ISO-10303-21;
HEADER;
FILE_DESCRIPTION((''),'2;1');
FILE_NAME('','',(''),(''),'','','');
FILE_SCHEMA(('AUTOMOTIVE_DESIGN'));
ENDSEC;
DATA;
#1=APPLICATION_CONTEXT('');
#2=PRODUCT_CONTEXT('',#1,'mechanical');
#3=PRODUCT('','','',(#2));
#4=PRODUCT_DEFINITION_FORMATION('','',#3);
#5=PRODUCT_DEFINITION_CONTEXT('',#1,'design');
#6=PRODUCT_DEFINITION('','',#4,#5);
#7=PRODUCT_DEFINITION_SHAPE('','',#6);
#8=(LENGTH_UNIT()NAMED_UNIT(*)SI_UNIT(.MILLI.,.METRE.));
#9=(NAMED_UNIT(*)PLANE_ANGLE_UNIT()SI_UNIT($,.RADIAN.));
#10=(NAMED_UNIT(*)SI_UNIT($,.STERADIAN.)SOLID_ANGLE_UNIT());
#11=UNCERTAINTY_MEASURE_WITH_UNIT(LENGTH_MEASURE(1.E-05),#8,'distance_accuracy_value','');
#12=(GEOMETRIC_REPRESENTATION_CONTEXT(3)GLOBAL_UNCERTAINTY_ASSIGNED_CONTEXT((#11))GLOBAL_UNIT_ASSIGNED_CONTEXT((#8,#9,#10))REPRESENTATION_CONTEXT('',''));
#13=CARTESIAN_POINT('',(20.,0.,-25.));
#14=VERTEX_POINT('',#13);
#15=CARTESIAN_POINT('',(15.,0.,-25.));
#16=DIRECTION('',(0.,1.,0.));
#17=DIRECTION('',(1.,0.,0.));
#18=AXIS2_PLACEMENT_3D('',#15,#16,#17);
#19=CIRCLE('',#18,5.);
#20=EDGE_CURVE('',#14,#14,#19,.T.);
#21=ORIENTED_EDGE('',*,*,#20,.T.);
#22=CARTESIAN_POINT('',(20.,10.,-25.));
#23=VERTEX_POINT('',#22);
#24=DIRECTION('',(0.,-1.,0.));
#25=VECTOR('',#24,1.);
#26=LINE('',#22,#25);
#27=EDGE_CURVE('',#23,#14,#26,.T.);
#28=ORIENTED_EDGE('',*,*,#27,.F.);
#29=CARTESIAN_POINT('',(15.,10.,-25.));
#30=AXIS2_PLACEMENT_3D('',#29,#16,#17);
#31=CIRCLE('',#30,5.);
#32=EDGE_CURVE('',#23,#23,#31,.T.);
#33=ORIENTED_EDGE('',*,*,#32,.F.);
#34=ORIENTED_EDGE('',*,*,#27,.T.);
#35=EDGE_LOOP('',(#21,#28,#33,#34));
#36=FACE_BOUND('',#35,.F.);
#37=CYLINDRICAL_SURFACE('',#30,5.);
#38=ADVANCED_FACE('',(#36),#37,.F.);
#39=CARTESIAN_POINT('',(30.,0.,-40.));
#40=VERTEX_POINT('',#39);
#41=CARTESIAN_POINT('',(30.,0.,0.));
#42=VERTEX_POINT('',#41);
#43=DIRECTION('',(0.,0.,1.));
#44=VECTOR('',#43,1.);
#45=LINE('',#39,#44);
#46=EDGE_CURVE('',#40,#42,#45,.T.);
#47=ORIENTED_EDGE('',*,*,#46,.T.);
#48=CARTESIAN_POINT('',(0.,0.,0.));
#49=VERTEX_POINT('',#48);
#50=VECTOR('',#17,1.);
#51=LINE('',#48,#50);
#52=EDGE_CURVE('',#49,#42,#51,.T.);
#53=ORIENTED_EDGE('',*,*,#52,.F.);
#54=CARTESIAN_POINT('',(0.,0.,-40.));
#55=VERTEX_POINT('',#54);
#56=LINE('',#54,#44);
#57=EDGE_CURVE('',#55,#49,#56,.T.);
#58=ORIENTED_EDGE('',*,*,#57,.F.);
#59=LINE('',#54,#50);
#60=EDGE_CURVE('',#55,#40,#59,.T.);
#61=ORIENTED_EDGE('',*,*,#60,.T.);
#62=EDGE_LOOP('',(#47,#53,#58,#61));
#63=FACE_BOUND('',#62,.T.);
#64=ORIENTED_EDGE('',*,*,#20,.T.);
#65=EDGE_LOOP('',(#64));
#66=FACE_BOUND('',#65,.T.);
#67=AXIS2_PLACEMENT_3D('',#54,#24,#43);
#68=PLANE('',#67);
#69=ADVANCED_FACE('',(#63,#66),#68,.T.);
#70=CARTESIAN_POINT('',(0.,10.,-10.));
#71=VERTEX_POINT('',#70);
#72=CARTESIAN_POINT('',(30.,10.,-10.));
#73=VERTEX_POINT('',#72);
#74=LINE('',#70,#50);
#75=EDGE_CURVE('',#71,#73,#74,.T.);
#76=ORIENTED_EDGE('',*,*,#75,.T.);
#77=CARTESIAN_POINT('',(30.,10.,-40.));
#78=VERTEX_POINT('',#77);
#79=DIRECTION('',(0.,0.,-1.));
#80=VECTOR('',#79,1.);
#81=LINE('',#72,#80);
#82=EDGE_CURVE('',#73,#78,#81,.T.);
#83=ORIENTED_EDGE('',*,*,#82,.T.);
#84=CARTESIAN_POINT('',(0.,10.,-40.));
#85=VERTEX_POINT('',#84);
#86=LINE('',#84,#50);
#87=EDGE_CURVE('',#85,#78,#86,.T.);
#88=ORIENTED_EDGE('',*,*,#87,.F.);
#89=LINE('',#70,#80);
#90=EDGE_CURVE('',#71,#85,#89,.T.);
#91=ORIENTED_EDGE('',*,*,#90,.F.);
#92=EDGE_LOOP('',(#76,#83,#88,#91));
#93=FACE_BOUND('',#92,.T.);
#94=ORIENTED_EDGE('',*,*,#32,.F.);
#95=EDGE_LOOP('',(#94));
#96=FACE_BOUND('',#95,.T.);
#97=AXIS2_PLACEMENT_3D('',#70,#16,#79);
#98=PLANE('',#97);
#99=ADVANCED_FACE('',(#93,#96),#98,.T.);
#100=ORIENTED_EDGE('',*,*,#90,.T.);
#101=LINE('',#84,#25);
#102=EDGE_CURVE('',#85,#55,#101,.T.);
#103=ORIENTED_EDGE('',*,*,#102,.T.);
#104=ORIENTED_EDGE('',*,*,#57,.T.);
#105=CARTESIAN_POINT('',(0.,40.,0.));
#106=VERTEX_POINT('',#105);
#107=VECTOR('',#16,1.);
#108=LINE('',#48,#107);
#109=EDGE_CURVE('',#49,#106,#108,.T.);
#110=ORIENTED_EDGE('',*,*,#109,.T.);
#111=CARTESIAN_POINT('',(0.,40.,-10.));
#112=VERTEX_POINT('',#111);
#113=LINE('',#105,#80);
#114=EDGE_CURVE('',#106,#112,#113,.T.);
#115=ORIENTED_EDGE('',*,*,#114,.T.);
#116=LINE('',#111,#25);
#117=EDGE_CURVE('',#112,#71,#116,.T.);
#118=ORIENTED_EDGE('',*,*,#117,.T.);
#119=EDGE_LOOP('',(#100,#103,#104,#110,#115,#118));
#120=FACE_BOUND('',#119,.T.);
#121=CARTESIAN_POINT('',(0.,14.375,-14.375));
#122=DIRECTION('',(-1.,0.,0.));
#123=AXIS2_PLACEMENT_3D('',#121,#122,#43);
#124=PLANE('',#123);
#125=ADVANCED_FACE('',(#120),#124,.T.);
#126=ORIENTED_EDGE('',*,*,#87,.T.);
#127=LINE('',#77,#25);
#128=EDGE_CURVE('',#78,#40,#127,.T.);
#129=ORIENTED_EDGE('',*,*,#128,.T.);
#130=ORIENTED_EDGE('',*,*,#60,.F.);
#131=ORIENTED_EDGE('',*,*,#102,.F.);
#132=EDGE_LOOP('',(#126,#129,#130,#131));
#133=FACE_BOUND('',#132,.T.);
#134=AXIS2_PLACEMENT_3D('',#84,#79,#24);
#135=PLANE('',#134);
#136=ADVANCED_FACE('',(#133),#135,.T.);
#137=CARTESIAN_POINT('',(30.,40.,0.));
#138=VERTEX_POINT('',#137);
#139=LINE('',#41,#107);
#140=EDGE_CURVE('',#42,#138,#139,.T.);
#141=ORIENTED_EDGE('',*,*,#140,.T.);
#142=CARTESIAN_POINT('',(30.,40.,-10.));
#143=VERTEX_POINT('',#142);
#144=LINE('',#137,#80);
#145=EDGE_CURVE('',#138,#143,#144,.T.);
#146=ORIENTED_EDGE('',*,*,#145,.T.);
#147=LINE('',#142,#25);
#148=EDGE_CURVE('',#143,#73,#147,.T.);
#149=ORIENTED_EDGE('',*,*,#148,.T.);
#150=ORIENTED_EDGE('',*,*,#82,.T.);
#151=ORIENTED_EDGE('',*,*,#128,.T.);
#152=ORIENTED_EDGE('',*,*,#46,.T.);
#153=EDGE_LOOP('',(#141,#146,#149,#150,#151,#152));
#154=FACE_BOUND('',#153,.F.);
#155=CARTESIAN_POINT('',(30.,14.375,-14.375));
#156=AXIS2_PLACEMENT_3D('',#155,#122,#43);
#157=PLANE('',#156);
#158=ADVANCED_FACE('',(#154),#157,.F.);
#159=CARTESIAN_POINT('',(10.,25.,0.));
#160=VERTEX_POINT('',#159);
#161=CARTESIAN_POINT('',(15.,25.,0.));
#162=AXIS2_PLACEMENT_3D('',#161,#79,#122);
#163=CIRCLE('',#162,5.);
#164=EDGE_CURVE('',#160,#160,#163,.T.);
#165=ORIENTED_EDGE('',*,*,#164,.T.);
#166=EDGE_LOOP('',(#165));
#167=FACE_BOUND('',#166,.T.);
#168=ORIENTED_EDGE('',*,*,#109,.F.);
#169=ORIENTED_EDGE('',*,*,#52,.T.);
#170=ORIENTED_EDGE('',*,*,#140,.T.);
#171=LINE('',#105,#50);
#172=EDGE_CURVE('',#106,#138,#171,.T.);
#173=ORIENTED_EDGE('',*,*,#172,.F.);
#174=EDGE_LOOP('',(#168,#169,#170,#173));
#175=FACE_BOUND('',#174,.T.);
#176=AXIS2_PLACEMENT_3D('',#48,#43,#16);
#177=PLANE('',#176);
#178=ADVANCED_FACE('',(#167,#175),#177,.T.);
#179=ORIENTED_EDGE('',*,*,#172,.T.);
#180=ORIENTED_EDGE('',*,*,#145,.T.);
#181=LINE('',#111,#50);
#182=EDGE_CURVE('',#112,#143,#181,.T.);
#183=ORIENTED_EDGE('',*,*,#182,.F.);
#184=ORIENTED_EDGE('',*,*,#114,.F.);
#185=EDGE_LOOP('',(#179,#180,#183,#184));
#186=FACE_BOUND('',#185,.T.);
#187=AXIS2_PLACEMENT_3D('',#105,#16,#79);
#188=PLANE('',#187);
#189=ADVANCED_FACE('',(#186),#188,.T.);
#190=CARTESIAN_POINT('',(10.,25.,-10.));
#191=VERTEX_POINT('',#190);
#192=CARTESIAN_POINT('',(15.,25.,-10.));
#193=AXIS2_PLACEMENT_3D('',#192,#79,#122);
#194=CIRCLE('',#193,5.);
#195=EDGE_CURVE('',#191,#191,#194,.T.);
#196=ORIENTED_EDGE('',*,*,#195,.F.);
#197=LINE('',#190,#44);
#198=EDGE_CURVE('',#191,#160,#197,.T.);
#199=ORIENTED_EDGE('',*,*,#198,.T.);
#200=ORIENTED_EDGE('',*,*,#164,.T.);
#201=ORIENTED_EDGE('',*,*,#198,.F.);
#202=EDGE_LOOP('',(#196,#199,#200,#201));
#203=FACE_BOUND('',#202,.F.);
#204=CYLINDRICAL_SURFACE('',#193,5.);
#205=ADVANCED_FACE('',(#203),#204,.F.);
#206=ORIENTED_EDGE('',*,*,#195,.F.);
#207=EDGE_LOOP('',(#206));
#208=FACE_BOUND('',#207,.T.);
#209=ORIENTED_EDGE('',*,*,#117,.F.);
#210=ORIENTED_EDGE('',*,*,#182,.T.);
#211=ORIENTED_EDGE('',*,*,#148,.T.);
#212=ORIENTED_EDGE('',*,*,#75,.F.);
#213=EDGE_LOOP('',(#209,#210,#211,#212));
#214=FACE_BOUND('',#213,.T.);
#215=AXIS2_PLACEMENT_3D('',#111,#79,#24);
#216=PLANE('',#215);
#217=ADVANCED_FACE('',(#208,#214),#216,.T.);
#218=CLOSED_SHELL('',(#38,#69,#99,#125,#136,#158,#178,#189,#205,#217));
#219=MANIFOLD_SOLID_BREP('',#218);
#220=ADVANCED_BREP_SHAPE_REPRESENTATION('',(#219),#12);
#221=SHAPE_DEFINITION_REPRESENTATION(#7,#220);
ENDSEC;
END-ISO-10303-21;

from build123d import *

# Parameters (mm, degrees)
BOSS_EXTRUDE1_DEPTH = 30
SKETCH2_R           = 5
CUT_EXTRUDE1_DEPTH  = 30
SKETCH3_R           = 5
CUT_EXTRUDE2_DEPTH  = 30


with BuildPart() as part:
    # Sketch1 → Boss-Extrude1 (new body)
    with BuildSketch(Plane(origin=(0, 0, 0), x_dir=(0, 0, -1), z_dir=(1, 0, 0))):
        Polygon((0, 0), (0, 40), (10, 40), (10, 10), (40, 10), (40, 0), align=None)
    extrude(amount=BOSS_EXTRUDE1_DEPTH)

    # Sketch2 → Cut-Extrude1 (cut)
    with BuildSketch(Plane(origin=(0, 0, -10), x_dir=(-1, 0, 0), z_dir=(0, 0, -1))):
        with Locations((-15, 25)):
            Circle(SKETCH2_R)
    extrude(amount=-CUT_EXTRUDE1_DEPTH, mode=Mode.SUBTRACT)

    # Sketch3 → Cut-Extrude2 (cut)
    with BuildSketch(Plane(origin=(0, 10, 0), x_dir=(1, 0, 0), z_dir=(0, 1, 0))):
        with Locations((15, 25)):
            Circle(SKETCH3_R)
    extrude(amount=-CUT_EXTRUDE2_DEPTH, mode=Mode.SUBTRACT)


solid = part.part
